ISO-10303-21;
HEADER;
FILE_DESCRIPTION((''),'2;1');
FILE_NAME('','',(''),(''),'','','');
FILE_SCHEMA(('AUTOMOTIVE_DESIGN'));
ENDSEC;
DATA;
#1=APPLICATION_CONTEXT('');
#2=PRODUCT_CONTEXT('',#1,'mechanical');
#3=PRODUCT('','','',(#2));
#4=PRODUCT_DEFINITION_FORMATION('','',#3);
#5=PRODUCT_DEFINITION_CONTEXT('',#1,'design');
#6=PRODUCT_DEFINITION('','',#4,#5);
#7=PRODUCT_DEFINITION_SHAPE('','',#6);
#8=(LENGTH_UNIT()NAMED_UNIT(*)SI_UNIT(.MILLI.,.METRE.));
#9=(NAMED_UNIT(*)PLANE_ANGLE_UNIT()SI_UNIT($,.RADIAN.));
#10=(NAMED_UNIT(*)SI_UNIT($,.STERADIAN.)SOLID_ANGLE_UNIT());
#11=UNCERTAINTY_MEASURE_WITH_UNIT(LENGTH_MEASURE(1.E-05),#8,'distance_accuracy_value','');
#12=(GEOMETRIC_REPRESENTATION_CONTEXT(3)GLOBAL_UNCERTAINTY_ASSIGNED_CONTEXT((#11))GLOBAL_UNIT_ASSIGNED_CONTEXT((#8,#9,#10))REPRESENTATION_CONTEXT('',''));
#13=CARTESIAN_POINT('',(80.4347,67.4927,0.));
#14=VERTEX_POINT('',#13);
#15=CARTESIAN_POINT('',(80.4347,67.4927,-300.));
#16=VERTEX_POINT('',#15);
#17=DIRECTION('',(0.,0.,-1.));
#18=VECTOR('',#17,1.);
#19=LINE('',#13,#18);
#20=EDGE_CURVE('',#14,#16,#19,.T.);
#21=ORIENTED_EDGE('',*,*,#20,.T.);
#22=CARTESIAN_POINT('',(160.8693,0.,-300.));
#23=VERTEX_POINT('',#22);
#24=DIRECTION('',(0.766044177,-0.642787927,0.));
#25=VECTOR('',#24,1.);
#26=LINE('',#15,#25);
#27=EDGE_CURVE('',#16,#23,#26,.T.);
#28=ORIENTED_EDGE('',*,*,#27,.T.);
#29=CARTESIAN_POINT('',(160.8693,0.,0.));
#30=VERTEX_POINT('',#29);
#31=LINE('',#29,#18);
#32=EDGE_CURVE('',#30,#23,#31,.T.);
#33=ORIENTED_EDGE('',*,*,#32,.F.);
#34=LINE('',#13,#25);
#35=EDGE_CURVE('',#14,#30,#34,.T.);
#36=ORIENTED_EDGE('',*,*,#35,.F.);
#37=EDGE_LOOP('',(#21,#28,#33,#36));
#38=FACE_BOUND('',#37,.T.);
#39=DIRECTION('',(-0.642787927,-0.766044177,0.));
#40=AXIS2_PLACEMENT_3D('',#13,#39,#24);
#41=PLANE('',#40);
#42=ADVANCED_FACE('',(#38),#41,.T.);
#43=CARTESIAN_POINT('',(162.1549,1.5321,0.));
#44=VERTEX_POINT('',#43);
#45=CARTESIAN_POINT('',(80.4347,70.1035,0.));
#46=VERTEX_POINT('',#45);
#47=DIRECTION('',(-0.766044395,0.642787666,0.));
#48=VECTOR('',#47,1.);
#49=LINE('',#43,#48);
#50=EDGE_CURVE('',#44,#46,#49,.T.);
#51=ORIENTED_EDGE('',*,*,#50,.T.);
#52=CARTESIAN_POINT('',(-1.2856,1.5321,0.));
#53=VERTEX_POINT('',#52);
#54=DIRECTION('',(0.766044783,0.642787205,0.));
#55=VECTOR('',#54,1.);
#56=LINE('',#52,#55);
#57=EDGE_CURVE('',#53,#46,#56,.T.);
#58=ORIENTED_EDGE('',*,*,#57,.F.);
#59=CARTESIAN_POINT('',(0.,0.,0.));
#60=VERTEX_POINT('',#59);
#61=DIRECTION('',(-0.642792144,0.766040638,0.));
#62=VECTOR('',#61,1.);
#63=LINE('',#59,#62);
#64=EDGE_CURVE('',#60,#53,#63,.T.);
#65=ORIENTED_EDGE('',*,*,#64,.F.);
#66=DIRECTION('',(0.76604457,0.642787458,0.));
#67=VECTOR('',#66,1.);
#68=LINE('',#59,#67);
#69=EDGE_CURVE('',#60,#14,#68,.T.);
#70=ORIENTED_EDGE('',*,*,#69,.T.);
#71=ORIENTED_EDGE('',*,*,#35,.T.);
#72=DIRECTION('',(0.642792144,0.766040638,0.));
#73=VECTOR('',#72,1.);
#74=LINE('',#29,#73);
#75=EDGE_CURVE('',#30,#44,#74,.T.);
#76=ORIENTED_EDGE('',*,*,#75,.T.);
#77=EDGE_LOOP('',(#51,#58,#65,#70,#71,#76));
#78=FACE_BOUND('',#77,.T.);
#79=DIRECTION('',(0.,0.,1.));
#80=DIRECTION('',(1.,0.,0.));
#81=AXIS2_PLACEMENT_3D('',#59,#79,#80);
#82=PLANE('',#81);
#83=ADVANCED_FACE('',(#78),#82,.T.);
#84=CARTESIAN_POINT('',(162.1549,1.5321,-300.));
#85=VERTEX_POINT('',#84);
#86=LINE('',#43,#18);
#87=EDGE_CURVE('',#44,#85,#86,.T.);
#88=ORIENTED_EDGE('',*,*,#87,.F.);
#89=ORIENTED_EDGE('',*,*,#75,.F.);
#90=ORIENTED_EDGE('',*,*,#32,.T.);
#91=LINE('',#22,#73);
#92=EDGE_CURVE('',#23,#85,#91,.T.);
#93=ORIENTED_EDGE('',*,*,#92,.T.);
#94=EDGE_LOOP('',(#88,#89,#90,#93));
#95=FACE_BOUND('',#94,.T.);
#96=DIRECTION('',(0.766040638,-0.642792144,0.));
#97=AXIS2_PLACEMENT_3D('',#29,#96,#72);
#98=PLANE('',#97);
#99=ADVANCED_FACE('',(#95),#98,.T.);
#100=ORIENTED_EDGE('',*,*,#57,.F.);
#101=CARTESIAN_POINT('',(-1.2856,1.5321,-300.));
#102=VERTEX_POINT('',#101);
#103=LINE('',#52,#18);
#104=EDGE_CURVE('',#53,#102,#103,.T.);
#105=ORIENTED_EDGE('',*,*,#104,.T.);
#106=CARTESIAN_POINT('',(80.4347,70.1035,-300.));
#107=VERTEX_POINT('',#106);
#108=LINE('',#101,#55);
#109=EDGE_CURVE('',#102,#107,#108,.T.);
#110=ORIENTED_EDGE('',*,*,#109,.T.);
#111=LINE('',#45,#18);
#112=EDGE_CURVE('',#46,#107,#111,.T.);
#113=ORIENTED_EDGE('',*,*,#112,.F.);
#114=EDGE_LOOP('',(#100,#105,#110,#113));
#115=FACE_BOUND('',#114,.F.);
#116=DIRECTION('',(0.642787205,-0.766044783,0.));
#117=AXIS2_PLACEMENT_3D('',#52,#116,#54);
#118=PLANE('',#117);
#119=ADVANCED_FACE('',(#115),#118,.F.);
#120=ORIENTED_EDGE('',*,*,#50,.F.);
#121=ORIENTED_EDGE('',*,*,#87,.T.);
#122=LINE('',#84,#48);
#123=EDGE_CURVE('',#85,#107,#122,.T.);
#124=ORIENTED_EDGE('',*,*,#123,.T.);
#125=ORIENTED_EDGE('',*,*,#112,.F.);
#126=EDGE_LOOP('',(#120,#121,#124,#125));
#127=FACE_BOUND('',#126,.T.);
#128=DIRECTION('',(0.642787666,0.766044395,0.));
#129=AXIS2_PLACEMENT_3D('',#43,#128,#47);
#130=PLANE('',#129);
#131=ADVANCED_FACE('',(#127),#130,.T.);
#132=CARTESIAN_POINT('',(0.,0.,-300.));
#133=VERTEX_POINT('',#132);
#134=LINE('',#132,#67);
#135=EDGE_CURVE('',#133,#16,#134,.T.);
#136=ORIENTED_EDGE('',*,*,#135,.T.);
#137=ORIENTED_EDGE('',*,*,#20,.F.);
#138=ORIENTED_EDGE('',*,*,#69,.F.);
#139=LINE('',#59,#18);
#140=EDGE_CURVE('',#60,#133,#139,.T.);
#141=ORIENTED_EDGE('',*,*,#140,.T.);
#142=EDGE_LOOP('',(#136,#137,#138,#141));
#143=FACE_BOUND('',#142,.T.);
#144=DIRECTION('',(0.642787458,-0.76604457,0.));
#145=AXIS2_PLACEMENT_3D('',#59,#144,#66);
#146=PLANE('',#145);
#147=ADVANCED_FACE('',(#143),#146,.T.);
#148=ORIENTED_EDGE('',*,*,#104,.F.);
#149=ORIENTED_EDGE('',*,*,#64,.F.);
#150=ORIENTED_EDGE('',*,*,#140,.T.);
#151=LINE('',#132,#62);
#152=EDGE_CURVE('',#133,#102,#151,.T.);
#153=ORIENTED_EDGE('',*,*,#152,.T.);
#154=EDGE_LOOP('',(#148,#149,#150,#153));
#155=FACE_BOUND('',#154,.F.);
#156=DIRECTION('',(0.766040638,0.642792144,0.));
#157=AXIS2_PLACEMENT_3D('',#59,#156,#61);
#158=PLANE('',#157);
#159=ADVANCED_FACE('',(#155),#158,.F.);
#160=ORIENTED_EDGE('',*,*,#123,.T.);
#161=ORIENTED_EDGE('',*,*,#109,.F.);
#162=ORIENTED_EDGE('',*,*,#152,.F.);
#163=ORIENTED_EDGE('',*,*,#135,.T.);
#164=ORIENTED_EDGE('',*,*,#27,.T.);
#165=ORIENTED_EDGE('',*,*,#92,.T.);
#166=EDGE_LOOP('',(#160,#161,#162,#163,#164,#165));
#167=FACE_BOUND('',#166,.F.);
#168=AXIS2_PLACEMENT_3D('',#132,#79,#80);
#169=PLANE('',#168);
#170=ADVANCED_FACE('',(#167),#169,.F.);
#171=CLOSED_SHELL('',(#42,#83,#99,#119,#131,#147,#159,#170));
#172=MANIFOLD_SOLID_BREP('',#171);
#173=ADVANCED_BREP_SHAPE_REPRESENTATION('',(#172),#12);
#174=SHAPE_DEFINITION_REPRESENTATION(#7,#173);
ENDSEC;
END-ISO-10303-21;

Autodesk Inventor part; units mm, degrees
ref_plane "YZ Plane" through (0, 0, 0) normal (1, 0, 0) x (0, 1, 0)
ref_plane "XZ Plane" through (0, 0, 0) normal (0, 1, 0) x (-1, 0, 0)
ref_plane "XY Plane" through (0, 0, 0) normal (0, 0, 1) x (1, 0, 0)
sketch "Sketch1" plane through (0, 0, 0) normal (0, 0, 1) x (1, 0, 0)
  line L0 (0, 0) -> (80.4347, 67.4927)
  line L1 (80.4347, 67.4927) -> (160.8693, 0)
  line L2 (0, 0) -> (279.217, 0) construction
  line L3 (160.8693, 0) -> (162.1549, 1.5321)
  line L4 (162.1549, 1.5321) -> (80.4347, 70.1035)
  line L5 (-1.2856, 1.5321) -> (80.4347, 70.1035)
  line L6 (0, 0) -> (-1.2856, 1.5321)
  dimension "d0" = 105
  dimension "d1" = 105
  dimension "d2" = 100
  dimension "d3" = 2
  dimension "d4" = 90
  dimension "d7" = 2
  dimension "d8" = 90
extrude "Extrusion1" add sketch "Sketch1" against normal blind 300
properties part number "techo" material "PET Plastic"
